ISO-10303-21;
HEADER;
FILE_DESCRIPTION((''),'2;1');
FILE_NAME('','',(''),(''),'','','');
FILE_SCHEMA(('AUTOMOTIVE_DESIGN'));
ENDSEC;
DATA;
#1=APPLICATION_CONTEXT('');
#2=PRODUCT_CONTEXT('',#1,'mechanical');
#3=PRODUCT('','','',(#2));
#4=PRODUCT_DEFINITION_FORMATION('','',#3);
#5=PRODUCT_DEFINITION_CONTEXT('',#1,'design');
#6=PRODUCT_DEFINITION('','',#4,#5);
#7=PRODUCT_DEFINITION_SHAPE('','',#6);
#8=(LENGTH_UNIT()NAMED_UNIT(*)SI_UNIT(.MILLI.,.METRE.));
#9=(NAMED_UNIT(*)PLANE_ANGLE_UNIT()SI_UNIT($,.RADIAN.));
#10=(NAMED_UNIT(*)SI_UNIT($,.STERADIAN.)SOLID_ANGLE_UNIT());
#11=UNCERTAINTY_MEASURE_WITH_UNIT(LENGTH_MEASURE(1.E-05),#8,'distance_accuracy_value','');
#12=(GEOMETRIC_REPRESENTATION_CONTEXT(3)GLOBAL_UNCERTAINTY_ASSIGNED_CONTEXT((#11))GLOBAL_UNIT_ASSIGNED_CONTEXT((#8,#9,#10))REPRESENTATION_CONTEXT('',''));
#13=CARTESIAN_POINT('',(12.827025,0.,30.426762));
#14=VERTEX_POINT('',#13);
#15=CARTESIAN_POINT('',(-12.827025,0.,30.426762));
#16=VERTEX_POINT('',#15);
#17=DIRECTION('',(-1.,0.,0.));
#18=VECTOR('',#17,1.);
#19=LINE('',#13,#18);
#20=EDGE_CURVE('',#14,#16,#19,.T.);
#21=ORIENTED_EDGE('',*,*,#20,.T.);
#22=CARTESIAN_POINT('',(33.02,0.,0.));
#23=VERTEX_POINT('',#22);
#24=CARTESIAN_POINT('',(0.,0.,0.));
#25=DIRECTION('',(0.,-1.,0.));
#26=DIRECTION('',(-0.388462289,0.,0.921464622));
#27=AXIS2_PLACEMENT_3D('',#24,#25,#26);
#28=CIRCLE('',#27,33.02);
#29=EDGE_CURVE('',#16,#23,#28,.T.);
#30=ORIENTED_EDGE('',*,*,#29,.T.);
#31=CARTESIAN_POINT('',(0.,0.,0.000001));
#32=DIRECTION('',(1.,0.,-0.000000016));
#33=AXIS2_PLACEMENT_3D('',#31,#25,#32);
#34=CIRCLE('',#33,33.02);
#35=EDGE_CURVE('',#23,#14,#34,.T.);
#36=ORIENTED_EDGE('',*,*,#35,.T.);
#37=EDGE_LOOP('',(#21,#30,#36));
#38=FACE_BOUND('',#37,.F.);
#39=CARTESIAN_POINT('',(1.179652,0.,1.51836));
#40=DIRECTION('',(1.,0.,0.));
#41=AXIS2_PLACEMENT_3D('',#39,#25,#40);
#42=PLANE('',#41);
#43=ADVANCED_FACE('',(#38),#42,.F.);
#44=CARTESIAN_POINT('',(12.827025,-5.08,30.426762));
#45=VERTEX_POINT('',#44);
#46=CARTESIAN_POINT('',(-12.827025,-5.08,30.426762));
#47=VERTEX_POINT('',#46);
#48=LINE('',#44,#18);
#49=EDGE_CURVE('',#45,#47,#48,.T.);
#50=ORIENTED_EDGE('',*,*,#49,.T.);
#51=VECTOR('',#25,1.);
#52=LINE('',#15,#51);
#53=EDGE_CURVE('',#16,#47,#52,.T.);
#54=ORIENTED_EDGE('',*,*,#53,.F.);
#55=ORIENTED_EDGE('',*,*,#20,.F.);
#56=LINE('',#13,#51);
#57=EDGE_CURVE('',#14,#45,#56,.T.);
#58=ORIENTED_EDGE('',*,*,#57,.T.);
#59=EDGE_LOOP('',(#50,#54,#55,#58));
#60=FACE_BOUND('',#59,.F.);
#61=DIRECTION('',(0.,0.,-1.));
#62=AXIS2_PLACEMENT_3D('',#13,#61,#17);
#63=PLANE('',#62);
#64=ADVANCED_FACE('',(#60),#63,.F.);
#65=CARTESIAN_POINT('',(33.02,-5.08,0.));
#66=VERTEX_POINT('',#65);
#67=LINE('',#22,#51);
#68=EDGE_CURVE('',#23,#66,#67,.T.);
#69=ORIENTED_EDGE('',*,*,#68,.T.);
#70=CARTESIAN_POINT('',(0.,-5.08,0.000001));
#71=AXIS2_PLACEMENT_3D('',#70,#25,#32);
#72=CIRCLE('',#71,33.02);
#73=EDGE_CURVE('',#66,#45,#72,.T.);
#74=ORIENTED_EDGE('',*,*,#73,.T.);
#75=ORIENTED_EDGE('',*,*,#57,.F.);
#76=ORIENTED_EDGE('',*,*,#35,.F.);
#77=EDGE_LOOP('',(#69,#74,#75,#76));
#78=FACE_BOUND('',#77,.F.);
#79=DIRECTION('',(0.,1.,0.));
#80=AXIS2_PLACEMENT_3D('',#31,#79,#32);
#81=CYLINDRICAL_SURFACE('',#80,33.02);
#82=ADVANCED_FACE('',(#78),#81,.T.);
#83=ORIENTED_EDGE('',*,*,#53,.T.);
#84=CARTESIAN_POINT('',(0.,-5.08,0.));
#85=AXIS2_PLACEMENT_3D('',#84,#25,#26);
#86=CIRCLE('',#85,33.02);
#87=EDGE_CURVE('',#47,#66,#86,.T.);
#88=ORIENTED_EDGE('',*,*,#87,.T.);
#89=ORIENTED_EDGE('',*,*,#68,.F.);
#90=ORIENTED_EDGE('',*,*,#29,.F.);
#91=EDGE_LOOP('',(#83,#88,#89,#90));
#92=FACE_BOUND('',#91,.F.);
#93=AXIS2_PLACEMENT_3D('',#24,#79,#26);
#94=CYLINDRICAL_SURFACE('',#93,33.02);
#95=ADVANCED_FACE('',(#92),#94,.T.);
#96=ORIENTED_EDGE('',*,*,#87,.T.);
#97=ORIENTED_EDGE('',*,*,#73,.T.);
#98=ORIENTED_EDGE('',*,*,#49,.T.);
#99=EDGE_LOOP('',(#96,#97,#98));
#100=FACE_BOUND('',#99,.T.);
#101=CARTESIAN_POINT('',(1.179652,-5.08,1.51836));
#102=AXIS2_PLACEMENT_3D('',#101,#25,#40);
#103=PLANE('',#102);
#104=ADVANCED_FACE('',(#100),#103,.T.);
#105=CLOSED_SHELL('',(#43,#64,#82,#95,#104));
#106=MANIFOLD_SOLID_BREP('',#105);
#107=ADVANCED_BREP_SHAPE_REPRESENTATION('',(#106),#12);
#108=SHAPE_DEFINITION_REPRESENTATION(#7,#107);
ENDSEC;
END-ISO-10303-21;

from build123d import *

# Parameters (mm, degrees)
F1_DEPTH = 5.08


with BuildPart() as f1:
    # F0 (on Front) → F1 (new body)
    with BuildSketch(Plane.XZ):
        with BuildLine():
            ThreePointArc((-12.827025, 30.426762), (-18.258861, -27.512441), (33.02, 0))
            ThreePointArc((33.02, 0), (27.512441, 18.258861), (12.827025, 30.426762))
            Line((12.827025, 30.426762), (-12.827025, 30.426762))
        make_face()
    extrude(amount=F1_DEPTH)


solid = f1.part
